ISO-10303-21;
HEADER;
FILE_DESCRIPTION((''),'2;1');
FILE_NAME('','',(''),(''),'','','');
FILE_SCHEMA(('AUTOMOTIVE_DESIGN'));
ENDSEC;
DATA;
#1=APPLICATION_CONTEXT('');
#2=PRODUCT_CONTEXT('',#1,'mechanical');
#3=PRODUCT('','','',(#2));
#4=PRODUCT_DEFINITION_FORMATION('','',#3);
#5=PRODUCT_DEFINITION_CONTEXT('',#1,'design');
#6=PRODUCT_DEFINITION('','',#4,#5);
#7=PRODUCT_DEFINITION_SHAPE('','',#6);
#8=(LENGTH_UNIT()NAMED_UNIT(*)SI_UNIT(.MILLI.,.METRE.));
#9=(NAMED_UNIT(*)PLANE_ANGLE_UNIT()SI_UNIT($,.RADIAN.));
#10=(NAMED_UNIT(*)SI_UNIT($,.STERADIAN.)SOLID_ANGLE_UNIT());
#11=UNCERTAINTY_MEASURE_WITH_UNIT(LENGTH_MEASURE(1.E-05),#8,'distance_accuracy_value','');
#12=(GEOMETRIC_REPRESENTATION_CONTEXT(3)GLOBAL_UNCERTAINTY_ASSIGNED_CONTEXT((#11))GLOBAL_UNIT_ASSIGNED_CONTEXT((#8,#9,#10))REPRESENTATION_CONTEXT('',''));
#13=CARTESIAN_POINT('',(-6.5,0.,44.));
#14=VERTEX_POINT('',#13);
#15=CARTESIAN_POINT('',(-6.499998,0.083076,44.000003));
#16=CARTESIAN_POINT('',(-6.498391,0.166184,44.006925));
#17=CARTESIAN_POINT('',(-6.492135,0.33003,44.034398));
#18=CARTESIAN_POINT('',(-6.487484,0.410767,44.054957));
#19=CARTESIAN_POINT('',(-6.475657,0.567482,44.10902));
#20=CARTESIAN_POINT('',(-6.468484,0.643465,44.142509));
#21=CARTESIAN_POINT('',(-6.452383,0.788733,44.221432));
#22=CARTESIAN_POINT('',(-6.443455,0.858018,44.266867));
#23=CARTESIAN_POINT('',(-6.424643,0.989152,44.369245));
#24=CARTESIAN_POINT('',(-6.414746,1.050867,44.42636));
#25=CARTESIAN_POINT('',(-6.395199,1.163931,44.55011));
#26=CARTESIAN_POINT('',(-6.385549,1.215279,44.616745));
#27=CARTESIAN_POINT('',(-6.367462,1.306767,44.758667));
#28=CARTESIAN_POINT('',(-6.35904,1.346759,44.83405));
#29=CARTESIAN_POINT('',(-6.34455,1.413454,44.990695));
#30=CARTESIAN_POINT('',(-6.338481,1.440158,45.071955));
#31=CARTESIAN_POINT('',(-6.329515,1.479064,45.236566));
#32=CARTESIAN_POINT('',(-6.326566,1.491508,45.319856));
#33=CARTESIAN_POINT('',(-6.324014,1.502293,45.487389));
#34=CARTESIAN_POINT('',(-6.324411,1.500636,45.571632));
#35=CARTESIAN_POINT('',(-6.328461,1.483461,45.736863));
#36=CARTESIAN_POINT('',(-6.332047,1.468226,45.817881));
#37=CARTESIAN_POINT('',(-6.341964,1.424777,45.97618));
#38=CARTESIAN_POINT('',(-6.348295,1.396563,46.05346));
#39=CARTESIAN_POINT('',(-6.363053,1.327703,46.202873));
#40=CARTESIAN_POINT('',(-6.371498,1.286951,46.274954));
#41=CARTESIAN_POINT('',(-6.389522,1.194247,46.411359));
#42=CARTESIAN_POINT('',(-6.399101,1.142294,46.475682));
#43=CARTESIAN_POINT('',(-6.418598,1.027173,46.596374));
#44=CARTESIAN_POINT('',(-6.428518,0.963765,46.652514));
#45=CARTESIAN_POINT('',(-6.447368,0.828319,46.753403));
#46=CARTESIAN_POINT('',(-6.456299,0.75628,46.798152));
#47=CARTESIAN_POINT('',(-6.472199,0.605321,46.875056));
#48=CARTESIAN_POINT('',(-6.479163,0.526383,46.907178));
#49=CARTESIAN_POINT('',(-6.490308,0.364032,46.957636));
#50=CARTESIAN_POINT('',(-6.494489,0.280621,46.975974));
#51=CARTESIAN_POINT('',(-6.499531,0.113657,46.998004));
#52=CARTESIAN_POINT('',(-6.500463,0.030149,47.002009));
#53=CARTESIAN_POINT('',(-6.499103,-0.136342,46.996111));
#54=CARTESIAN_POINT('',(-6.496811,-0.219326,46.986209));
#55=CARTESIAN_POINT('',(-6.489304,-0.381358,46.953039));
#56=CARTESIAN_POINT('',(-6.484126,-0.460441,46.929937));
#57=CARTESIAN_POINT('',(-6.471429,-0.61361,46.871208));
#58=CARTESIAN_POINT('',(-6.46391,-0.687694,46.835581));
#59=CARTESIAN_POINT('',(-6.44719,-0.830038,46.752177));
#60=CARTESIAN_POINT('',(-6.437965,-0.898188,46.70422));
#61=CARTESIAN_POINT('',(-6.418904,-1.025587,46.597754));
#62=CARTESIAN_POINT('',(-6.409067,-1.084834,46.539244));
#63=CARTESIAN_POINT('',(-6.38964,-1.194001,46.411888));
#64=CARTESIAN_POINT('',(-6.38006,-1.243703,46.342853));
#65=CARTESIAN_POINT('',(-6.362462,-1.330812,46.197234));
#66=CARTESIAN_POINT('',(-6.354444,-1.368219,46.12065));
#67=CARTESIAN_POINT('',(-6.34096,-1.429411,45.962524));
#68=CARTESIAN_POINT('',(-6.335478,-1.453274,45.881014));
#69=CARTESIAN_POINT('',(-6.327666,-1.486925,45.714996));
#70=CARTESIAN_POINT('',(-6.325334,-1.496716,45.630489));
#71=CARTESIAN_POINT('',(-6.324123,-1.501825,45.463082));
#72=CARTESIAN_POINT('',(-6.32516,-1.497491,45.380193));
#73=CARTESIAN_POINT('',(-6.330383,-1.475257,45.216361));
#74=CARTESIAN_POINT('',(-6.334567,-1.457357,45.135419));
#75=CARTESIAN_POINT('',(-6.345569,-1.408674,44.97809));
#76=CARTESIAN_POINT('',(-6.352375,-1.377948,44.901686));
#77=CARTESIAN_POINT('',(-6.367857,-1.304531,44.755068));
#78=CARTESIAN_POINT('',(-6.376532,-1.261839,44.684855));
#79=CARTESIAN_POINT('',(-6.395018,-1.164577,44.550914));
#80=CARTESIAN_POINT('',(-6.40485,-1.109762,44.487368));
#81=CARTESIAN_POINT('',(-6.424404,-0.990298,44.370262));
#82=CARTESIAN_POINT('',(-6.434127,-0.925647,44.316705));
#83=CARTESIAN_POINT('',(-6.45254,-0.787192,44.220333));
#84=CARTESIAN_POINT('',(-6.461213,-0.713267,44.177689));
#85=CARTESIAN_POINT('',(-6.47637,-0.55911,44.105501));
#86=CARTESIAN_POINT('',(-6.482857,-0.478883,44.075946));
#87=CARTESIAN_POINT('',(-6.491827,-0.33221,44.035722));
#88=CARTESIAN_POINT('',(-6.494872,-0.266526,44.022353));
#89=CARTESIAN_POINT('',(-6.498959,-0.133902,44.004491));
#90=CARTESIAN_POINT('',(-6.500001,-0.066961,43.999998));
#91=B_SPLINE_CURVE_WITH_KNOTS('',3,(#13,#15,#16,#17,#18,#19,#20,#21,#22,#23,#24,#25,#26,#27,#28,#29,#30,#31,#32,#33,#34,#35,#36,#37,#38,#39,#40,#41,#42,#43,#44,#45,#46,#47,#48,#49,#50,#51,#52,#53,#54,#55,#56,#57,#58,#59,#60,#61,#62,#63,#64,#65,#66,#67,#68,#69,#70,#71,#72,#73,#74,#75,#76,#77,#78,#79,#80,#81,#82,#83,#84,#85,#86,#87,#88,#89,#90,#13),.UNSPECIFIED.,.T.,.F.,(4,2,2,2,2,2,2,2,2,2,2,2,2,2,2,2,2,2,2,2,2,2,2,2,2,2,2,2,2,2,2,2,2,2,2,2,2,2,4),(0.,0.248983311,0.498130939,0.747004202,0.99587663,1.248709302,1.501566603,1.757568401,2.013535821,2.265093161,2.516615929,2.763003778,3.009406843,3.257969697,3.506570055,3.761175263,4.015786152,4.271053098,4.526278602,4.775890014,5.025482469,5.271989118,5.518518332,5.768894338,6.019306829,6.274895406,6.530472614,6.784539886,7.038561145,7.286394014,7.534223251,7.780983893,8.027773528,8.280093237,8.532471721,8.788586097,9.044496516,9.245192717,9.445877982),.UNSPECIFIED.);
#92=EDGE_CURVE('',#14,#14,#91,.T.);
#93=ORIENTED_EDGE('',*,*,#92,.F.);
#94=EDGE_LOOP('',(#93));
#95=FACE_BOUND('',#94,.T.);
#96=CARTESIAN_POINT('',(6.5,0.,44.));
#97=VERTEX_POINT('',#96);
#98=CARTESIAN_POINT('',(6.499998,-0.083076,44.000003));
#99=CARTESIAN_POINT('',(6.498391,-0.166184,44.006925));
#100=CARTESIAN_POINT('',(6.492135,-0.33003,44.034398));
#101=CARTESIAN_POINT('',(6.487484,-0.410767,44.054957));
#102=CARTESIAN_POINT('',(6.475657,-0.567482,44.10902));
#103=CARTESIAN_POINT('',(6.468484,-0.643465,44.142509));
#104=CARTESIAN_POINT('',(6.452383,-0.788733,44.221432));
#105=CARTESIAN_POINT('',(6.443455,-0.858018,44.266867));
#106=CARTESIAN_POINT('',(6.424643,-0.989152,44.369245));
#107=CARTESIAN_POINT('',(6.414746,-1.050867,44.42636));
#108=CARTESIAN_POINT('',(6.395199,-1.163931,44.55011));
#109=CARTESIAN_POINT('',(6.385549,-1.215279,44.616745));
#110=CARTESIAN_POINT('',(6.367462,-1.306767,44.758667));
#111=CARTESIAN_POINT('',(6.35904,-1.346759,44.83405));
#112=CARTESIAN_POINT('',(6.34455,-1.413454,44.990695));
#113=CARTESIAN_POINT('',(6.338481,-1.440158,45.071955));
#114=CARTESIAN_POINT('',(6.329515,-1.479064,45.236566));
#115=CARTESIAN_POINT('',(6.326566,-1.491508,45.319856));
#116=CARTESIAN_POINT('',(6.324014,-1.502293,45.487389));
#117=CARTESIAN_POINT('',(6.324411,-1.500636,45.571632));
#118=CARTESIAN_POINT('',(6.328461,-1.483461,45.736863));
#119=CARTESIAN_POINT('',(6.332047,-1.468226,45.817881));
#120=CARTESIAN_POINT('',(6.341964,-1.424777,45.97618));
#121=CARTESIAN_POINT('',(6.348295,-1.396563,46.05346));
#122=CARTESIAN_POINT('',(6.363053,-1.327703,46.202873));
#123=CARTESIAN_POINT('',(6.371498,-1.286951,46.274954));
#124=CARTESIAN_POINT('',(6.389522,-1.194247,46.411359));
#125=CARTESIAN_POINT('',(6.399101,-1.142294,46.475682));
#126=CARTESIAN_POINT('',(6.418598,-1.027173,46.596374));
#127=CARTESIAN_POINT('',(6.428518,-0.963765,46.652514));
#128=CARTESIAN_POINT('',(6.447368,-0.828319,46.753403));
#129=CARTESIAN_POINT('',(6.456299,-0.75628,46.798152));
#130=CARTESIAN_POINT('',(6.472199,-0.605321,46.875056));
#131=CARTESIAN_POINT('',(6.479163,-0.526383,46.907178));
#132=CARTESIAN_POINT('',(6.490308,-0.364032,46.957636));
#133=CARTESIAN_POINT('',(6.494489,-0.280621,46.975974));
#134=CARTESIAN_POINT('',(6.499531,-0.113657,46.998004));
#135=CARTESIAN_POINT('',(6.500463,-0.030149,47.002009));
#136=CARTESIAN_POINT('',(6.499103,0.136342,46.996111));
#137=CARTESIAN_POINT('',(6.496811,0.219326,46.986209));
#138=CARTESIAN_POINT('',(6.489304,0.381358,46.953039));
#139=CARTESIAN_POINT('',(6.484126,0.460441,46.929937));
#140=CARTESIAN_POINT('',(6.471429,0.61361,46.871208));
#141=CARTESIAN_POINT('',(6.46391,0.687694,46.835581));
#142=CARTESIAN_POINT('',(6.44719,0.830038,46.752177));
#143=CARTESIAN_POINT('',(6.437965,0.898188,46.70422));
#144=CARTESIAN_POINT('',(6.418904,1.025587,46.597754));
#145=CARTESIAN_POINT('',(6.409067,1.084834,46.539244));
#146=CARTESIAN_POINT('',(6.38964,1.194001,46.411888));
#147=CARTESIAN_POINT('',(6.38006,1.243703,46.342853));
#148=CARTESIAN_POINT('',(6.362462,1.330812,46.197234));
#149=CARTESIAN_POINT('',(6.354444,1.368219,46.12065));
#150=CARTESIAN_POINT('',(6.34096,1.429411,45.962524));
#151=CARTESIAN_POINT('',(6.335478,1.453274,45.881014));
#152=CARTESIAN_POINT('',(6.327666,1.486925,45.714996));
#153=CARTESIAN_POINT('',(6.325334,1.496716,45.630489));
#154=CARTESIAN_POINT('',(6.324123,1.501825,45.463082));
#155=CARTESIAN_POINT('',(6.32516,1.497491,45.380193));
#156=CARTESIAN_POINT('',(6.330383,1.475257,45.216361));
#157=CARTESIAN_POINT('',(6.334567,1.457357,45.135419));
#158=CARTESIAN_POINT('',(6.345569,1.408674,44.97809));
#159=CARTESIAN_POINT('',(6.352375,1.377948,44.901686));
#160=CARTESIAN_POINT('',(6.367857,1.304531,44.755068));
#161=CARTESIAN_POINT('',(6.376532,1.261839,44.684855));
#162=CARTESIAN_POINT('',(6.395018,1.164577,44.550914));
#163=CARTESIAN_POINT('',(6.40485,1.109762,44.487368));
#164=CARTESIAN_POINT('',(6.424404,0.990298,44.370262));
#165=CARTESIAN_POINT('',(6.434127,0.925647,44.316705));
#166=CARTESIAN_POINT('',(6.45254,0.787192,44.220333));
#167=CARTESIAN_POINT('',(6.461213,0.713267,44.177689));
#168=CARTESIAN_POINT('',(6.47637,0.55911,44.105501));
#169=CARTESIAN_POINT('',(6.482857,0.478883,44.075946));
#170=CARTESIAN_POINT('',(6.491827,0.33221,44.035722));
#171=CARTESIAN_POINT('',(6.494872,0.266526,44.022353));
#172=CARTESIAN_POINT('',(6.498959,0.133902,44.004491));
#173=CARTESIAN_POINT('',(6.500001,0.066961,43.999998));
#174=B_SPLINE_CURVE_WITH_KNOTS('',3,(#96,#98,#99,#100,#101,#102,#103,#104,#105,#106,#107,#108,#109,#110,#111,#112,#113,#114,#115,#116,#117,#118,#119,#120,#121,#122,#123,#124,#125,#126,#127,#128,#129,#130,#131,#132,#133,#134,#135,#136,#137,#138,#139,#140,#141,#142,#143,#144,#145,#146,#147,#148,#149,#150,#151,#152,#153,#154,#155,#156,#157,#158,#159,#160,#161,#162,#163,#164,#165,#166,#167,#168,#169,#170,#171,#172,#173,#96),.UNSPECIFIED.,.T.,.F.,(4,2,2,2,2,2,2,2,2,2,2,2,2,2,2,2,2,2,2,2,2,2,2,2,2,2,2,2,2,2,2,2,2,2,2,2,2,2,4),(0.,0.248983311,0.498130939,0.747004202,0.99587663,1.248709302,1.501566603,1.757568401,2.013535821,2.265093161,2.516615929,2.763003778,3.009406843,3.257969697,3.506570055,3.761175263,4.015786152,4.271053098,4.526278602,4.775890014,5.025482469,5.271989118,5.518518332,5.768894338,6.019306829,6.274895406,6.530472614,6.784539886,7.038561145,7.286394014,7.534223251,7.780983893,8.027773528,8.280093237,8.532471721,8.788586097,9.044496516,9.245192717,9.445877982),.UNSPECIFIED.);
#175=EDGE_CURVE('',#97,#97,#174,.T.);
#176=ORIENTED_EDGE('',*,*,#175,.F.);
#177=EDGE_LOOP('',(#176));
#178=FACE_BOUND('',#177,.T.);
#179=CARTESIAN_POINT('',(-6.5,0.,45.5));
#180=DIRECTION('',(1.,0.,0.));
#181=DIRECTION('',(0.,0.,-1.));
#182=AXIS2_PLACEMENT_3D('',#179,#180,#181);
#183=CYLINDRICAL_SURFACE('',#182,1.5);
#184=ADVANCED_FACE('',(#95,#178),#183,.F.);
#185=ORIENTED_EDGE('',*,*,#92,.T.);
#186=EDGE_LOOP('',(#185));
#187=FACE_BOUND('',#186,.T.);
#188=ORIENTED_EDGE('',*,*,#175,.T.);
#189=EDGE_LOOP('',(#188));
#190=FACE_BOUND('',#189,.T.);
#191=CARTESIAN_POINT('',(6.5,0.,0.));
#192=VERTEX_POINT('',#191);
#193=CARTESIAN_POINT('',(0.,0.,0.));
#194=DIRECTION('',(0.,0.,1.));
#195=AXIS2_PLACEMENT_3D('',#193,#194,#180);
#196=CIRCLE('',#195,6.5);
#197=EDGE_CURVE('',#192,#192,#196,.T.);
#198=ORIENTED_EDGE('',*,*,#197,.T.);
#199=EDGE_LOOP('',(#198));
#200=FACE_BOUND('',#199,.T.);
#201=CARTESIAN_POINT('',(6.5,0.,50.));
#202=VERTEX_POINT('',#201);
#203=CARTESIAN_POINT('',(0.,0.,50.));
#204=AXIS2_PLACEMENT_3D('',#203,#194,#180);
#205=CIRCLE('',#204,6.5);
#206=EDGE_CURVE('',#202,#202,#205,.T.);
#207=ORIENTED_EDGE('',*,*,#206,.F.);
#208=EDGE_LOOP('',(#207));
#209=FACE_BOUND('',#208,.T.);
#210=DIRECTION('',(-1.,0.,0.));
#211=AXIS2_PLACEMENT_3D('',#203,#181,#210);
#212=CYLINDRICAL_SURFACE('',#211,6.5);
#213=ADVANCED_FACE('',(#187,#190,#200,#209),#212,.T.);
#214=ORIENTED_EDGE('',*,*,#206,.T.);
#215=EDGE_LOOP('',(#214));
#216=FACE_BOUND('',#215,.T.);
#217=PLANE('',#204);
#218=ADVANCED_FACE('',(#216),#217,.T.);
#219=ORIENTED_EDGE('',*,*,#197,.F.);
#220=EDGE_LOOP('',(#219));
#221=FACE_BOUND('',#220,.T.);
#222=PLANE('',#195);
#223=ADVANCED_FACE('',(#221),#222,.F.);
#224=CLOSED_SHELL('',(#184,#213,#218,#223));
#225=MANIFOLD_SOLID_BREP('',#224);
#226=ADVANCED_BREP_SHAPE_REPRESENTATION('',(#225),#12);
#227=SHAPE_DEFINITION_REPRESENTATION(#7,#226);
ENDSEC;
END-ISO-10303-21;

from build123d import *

# Parameters (mm, degrees)
SKETCH1_R           = 6.5
BOSS_EXTRUDE1_DEPTH = 50
SKETCH2_R           = 1.5
CUT_EXTRUDE1_DEPTH  = 53.069664873


with BuildPart() as part:
    # Sketch1 → Boss-Extrude1 (new body)
    with BuildSketch(Plane.XY):
        Circle(SKETCH1_R)
    extrude(amount=BOSS_EXTRUDE1_DEPTH)

    # Sketch2 → Cut-Extrude1 (cut, through all)
    with BuildSketch(Plane(origin=(6.5, 0, 0), x_dir=(0, 0, -1), z_dir=(1, 0, 0))):
        with Locations((-45.5, 0)):
            Circle(SKETCH2_R)
    extrude(amount=-CUT_EXTRUDE1_DEPTH, mode=Mode.SUBTRACT)


solid = part.part
